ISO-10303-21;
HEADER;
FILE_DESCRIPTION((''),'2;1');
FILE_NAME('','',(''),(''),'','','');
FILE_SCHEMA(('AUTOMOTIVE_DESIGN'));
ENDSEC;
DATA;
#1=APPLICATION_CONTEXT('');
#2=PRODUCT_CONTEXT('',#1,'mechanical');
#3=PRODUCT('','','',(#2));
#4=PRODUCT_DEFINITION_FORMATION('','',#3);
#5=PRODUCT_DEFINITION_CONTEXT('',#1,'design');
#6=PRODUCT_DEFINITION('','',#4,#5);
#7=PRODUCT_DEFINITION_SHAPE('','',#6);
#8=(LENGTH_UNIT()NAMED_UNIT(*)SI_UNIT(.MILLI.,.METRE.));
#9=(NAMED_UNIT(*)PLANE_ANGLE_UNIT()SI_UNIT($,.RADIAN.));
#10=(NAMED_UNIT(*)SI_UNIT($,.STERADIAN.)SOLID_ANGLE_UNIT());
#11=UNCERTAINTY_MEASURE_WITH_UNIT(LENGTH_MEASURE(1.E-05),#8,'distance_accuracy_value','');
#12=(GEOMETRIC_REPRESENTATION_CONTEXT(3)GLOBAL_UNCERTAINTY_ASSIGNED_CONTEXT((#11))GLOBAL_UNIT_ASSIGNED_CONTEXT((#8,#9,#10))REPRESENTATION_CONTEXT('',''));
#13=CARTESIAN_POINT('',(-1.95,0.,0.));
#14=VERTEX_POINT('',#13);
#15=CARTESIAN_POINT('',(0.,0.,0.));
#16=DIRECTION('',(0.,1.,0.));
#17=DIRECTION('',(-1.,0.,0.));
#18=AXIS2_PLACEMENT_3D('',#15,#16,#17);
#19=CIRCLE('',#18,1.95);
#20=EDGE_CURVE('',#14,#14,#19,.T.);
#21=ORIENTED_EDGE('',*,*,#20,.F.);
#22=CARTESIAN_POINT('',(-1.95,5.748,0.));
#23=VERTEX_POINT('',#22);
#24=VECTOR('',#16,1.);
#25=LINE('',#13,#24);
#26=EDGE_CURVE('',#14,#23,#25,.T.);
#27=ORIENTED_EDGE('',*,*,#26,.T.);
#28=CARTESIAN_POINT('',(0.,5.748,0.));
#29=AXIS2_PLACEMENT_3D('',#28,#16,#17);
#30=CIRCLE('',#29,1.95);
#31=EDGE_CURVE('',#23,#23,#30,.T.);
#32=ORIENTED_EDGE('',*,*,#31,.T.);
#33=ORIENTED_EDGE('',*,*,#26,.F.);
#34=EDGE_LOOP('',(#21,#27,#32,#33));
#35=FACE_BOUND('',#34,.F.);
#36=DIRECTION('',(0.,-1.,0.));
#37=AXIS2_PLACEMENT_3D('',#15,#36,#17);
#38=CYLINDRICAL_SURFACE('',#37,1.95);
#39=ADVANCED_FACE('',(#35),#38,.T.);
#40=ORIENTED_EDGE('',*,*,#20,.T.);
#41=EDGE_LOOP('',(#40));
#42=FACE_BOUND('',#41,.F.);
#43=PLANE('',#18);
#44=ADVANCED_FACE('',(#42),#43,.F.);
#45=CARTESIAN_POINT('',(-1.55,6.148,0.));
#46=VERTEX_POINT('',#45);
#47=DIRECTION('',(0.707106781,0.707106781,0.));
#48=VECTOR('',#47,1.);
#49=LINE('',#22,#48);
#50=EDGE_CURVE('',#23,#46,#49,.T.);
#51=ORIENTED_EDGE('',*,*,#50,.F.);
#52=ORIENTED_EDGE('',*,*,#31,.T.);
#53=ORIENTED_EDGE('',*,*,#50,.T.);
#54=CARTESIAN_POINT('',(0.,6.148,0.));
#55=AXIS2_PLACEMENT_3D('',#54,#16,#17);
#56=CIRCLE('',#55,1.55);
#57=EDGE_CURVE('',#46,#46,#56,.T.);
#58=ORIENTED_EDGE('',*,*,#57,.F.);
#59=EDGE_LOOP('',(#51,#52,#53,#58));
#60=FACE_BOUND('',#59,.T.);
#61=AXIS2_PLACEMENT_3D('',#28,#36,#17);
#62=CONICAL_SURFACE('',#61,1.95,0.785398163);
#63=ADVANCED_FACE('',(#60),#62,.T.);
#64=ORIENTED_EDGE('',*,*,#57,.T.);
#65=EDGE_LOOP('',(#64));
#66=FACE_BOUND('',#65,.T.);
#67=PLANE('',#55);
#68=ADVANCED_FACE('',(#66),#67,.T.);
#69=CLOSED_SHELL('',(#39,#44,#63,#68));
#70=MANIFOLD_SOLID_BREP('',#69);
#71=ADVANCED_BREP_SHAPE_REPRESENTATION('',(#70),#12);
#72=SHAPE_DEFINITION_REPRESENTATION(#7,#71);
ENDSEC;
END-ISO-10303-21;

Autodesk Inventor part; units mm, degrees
ref_plane "YZ Plane" through (0, 0, 0) normal (1, 0, 0) x (0, 1, 0)
ref_plane "XZ Plane" through (0, 0, 0) normal (0, 1, 0) x (-1, 0, 0)
ref_plane "XY Plane" through (0, 0, 0) normal (0, 0, 1) x (1, 0, 0)
sketch "Sketch1" plane through (0, 0, 0) normal (0, 1, 0) x (-1, 0, 0)
  circle A0 centre (0, 0) radius 1.95
  dimension "d0" = 3.9
extrude "Extrusion1" add sketch "Sketch1" along normal blind 6.148
chamfer "Chamfer1" distance 0.4 angle 45 1 edges at (1.95, 6.148, 0)
properties part number "shaft"
